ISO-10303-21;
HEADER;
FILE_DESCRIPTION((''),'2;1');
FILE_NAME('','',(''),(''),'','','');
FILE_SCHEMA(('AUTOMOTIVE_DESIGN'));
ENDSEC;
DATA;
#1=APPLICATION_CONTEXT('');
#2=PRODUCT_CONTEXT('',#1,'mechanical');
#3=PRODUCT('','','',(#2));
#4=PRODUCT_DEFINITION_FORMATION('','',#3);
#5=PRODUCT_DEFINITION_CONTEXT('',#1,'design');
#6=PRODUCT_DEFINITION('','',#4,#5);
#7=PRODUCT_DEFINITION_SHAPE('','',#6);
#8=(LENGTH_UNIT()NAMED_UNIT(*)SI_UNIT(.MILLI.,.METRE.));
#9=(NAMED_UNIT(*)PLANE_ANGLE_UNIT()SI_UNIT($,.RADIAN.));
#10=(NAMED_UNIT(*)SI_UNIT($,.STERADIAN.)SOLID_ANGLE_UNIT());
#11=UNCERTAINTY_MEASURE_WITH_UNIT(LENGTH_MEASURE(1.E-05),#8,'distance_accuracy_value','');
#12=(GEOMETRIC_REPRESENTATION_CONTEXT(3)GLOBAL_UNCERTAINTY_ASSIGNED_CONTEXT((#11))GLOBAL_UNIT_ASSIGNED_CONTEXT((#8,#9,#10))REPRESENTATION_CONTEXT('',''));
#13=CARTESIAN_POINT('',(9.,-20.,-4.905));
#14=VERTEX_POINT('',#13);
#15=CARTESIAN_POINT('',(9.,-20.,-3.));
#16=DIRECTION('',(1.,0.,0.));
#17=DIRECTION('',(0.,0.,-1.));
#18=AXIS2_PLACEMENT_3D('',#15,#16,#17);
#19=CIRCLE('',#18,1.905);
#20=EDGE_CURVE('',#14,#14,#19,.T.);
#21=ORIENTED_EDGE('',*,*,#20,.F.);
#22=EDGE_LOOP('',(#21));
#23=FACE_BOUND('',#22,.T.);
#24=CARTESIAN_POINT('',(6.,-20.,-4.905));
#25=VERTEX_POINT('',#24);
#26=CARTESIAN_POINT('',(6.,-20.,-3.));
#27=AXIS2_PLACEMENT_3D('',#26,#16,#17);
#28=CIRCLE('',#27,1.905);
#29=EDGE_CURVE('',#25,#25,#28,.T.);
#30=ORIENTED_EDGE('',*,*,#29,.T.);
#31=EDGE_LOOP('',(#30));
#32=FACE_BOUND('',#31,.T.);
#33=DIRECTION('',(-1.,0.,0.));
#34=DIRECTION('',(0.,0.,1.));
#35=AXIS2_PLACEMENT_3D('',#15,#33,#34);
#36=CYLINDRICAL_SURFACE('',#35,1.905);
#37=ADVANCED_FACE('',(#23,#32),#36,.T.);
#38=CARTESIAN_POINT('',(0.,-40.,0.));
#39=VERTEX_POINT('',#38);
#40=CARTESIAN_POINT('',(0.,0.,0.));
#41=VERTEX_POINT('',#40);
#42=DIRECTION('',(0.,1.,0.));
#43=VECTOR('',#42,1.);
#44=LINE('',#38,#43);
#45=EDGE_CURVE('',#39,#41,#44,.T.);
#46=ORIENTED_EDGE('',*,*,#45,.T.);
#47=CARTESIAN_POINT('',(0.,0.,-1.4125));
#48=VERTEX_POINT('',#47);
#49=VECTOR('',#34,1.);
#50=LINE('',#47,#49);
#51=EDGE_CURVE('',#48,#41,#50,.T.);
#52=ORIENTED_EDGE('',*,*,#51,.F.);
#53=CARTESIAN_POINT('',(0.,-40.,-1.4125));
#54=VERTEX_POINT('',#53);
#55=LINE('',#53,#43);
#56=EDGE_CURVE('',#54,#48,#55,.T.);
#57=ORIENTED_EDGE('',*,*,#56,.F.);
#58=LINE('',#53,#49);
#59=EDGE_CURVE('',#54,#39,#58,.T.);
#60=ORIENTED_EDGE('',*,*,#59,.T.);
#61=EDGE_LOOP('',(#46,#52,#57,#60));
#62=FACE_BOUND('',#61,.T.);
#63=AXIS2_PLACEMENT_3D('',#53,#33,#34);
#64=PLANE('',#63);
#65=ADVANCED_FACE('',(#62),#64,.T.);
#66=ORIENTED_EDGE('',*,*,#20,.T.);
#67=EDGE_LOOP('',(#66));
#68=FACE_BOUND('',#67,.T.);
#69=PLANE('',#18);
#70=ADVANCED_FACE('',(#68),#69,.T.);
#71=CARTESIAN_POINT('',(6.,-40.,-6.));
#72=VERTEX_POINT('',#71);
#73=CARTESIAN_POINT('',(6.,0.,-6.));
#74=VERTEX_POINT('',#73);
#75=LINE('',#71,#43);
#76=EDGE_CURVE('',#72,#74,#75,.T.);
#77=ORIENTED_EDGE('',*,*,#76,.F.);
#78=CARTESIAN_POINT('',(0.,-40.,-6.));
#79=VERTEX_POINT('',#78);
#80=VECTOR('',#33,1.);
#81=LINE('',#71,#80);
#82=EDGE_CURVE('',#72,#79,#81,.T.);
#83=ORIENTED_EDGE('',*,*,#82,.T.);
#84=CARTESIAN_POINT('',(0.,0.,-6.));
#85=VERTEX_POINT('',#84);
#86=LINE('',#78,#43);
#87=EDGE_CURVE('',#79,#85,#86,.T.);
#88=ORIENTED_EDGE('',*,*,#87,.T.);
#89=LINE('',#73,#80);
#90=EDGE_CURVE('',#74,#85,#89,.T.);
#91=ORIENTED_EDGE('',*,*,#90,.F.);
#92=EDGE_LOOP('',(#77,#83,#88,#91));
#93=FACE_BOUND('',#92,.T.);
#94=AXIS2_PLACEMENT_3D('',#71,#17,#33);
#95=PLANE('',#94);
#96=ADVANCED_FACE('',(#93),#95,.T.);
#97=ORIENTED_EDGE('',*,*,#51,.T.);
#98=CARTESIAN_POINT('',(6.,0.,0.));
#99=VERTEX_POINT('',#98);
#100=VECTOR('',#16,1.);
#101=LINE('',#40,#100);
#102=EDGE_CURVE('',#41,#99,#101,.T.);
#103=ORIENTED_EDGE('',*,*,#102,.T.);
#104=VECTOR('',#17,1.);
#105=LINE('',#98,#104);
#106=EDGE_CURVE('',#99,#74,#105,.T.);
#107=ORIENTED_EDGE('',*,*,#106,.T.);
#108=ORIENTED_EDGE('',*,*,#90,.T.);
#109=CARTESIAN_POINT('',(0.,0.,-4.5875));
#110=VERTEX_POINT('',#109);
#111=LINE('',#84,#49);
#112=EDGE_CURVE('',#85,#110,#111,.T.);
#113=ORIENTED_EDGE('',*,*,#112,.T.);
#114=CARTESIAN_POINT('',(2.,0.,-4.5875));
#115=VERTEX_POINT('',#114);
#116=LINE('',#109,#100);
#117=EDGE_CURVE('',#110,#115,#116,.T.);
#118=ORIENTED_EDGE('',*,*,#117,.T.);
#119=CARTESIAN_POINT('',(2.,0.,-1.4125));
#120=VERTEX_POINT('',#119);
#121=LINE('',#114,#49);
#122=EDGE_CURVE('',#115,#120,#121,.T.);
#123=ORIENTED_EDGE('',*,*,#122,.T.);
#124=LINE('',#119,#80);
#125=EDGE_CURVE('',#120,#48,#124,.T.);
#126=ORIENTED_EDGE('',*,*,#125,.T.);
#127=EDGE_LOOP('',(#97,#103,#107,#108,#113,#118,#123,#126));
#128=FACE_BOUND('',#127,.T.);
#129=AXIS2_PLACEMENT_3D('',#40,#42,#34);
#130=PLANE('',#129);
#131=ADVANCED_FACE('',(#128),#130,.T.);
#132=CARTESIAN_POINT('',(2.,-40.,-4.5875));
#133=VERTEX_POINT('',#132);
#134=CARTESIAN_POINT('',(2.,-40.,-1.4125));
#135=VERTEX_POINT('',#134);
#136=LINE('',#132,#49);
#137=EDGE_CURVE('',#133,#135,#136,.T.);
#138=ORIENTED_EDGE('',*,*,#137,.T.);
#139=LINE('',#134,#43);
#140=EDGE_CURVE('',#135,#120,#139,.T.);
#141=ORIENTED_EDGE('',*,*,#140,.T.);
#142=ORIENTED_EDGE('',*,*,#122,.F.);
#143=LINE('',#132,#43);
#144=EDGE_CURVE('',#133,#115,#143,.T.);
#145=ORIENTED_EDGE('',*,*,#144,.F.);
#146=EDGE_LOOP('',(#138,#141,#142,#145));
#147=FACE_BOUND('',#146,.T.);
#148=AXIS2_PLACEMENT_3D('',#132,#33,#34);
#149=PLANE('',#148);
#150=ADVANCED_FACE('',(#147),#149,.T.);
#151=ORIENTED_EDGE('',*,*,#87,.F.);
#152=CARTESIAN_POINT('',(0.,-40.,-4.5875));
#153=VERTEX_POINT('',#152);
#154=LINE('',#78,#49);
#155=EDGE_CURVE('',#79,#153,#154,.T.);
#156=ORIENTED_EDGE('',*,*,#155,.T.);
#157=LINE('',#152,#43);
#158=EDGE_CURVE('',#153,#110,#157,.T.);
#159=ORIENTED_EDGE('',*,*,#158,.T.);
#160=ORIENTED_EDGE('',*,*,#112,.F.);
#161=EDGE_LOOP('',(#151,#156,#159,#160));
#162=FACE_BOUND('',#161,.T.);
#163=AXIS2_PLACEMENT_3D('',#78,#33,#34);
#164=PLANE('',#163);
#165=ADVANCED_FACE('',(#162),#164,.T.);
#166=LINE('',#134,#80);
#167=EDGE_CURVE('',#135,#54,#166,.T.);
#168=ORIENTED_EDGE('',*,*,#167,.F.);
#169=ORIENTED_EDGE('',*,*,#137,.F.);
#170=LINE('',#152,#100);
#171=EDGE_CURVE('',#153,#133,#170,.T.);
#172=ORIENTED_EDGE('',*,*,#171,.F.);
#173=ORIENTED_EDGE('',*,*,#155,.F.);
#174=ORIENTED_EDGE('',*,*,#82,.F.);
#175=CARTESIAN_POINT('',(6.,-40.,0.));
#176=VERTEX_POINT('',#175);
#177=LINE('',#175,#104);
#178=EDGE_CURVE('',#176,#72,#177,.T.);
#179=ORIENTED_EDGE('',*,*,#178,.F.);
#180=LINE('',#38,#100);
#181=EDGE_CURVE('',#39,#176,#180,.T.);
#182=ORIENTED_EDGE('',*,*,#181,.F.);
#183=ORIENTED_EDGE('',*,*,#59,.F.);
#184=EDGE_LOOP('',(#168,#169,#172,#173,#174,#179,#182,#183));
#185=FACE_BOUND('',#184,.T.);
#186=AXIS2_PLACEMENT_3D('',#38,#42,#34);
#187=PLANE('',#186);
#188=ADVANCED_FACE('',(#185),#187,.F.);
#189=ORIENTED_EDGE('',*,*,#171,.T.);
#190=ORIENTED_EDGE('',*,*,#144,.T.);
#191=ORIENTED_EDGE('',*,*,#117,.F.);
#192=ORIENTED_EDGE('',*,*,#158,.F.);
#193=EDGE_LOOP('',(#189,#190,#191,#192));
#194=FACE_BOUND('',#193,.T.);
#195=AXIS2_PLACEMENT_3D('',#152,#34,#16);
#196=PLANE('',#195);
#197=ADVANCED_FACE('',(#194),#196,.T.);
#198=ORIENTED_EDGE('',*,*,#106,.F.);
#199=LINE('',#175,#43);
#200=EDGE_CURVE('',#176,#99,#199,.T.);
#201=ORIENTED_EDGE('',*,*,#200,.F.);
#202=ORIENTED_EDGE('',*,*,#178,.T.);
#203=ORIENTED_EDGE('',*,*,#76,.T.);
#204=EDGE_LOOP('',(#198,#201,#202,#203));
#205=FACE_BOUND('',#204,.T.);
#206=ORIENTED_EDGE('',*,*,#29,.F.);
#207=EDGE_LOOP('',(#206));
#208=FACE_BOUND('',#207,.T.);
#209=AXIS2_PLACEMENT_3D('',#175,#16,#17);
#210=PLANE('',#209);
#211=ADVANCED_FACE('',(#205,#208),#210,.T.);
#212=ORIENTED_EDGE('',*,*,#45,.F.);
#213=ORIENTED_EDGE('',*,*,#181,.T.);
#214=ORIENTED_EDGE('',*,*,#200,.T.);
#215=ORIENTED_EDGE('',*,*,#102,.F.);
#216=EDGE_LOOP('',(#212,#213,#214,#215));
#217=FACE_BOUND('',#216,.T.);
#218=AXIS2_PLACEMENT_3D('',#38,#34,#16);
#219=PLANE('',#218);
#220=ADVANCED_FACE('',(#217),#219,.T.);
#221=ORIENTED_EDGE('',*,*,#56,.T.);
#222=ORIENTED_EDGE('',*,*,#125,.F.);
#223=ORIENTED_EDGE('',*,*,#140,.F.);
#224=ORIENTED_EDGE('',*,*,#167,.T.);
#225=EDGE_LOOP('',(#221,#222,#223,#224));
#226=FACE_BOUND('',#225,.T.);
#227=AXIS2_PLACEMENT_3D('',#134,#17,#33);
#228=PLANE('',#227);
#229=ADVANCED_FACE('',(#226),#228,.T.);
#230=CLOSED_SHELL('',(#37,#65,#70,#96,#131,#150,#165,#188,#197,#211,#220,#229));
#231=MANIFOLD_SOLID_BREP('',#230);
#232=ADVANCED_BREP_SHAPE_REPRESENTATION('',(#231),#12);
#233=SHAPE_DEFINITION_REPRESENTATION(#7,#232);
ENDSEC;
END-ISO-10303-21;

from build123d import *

# Parameters (mm, degrees)
BOSS_EXTRUDE1_DEPTH = 40
SKETCH3_R           = 1.905
BOSS_EXTRUDE2_DEPTH = 3


with BuildPart() as part:
    # Sketch2 → Boss-Extrude1 (new body)
    with BuildSketch(Plane(origin=(0, 0, 0), x_dir=(1, 0, 0), z_dir=(0, 1, 0))):
        Polygon((0, 0), (6, 0), (6, 6), (0, 6), (0, 4.5875), (2, 4.5875), (2, 1.4125), (0, 1.4125), align=None)
    extrude(amount=-BOSS_EXTRUDE1_DEPTH)

    # Sketch3 → Boss-Extrude2 (add)
    with BuildSketch(Plane(origin=(6, 0, 0), x_dir=(0, 0, -1), z_dir=(1, 0, 0))):
        with Locations((3, -20)):
            Circle(SKETCH3_R)
    extrude(amount=BOSS_EXTRUDE2_DEPTH)


solid = part.part
